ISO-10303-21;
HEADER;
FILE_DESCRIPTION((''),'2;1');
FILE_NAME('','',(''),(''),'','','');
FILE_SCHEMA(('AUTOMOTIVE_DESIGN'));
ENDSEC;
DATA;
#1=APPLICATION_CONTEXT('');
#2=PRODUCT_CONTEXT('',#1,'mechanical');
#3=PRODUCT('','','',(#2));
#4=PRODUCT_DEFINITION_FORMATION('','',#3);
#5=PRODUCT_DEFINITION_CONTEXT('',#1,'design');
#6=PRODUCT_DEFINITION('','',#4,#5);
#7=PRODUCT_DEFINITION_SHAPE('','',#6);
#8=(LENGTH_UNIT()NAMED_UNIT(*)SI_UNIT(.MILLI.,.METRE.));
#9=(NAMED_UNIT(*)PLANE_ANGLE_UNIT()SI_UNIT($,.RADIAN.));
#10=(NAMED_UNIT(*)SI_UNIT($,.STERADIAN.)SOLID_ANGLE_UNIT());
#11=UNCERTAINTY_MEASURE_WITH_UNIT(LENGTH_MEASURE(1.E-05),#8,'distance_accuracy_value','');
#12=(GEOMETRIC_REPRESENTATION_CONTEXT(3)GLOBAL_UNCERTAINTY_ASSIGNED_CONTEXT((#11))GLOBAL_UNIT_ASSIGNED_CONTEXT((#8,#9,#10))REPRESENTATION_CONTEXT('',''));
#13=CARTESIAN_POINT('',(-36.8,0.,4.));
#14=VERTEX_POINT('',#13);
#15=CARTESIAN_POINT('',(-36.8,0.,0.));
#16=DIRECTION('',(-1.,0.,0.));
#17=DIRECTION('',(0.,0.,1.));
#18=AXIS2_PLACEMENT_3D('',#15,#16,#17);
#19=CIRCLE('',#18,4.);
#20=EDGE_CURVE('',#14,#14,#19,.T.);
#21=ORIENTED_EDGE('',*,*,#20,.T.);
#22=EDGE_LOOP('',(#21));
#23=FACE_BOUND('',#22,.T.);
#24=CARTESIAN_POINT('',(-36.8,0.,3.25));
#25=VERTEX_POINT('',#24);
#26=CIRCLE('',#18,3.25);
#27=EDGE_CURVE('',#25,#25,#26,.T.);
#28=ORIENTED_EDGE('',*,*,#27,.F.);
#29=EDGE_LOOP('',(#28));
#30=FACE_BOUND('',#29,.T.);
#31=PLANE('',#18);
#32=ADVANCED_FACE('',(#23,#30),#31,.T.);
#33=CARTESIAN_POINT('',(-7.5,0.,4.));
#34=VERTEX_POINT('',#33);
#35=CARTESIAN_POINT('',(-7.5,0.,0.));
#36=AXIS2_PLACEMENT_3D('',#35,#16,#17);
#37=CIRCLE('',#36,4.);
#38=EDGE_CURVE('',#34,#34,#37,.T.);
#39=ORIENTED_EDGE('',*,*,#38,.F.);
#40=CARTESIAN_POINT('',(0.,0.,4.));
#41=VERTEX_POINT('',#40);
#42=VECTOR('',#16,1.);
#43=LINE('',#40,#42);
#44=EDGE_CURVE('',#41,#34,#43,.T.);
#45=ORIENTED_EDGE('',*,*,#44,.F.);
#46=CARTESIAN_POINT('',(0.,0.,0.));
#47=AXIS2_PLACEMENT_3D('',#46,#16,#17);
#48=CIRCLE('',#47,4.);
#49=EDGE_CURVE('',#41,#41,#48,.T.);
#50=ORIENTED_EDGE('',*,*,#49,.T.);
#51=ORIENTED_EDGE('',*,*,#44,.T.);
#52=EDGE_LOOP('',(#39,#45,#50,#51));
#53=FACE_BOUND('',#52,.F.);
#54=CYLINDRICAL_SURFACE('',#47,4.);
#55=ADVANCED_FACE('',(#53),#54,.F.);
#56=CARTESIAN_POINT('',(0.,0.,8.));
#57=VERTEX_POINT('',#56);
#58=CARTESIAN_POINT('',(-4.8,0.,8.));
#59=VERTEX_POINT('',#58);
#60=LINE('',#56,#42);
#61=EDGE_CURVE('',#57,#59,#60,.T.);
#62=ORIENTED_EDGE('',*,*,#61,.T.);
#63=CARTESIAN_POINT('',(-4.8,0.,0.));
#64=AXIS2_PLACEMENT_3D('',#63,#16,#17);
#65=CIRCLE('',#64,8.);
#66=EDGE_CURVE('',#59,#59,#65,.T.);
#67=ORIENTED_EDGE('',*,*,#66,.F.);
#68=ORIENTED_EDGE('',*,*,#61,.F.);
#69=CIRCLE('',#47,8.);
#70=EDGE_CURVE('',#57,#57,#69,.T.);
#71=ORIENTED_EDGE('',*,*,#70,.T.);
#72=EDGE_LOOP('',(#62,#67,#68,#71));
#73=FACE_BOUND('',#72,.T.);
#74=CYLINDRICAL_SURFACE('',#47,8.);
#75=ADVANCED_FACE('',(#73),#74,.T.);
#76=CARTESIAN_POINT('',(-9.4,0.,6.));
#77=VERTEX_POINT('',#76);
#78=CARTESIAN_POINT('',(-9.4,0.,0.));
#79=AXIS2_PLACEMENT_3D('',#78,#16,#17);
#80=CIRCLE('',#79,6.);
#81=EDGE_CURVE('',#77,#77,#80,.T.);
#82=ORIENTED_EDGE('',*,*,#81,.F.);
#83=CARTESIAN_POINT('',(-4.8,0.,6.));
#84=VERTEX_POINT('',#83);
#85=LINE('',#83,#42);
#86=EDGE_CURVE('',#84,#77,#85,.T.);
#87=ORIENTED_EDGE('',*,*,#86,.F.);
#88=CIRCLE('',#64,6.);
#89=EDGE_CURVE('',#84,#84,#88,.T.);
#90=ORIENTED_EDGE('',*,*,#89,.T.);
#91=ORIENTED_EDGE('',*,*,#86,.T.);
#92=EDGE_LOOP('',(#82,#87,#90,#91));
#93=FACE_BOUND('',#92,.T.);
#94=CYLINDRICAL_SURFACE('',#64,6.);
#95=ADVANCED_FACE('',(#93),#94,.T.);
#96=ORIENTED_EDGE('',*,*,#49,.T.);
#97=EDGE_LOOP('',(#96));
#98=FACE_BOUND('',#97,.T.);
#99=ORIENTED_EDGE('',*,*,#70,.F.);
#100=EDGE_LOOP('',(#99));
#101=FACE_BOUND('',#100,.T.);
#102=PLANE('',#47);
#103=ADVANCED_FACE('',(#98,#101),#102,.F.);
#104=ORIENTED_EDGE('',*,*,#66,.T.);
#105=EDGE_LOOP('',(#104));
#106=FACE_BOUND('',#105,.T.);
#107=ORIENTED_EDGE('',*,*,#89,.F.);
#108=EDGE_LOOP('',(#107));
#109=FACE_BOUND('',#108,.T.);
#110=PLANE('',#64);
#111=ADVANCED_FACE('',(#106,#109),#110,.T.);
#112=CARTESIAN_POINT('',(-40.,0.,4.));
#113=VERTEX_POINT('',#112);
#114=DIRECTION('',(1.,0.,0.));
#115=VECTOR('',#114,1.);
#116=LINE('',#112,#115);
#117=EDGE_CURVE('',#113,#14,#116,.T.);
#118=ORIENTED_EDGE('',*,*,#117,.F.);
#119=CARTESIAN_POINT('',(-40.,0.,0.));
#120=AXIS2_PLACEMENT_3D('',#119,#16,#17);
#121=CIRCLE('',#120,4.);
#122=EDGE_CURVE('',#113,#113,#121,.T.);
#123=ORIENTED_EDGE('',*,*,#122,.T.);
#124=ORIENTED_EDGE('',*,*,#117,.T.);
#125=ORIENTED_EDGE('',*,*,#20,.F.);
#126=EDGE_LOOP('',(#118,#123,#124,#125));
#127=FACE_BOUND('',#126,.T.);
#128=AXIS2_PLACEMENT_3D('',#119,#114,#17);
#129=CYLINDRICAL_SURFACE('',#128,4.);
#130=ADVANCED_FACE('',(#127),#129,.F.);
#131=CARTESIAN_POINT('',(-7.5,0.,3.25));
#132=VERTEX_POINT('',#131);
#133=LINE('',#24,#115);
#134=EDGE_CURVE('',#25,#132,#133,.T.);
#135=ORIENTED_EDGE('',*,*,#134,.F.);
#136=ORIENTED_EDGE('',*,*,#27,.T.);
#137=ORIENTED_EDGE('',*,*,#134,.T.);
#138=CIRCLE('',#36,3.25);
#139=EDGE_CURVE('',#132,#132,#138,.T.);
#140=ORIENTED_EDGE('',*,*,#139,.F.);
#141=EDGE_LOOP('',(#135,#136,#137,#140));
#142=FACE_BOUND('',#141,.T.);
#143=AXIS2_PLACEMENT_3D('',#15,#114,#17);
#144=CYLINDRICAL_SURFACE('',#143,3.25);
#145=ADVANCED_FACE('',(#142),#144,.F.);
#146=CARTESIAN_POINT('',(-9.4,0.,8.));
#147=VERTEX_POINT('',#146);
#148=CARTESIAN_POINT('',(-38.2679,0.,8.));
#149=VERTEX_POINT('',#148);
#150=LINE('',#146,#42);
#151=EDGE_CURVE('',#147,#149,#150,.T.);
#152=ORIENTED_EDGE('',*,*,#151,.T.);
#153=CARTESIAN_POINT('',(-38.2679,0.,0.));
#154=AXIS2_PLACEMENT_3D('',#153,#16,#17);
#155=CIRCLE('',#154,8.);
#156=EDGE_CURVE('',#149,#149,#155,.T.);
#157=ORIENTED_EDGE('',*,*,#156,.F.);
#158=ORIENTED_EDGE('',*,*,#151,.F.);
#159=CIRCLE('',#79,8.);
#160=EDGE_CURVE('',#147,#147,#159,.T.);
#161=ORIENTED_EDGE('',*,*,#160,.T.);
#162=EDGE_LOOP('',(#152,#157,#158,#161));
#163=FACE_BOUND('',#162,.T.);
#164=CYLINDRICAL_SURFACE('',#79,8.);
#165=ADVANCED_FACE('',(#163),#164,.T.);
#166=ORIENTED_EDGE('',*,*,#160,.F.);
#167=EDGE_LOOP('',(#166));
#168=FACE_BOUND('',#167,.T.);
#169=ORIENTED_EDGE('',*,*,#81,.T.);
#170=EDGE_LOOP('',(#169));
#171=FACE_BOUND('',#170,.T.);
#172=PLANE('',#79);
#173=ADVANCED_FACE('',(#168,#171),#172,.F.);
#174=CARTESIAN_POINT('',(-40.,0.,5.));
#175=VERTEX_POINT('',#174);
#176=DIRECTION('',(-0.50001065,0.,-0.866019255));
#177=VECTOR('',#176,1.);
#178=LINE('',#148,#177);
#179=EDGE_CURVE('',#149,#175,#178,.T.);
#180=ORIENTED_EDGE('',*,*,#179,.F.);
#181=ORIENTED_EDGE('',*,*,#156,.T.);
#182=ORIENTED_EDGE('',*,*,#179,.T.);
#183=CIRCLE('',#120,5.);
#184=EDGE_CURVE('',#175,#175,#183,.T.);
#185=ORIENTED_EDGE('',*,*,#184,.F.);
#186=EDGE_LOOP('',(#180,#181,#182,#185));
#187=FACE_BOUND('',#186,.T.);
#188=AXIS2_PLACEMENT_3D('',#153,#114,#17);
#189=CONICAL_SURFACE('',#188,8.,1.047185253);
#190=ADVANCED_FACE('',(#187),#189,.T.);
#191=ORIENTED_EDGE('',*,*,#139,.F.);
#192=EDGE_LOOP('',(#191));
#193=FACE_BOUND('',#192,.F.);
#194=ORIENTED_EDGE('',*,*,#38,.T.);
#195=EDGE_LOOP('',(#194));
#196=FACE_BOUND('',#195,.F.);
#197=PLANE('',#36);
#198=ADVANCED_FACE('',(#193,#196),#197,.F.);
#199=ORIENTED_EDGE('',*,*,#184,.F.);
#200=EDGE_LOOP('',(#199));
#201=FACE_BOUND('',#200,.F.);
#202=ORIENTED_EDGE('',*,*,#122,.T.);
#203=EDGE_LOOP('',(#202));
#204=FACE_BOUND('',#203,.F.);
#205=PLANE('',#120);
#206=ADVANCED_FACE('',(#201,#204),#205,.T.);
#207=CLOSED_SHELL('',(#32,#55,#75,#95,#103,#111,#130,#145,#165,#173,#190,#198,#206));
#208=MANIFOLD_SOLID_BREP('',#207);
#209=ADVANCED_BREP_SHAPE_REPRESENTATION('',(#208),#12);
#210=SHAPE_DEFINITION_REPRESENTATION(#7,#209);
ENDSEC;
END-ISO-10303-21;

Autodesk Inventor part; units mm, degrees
ref_plane "YZ Plane" through (0, 0, 0) normal (1, 0, 0) x (0, 1, 0)
ref_plane "XZ Plane" through (0, 0, 0) normal (0, 1, 0) x (-1, 0, 0)
ref_plane "XY Plane" through (0, 0, 0) normal (0, 0, 1) x (1, 0, 0)
sketch "Sketch1" plane through (0, 0, 0) normal (0, 1, 0) x (-1, 0, 0)
  line L0 (0, 4) -> (0, 8)
  line L1 (0, 8) -> (4.8, 8)
  line L2 (4.8, 8) -> (4.8, 6)
  line L3 (4.8, 6) -> (9.4, 6)
  line L4 (9.4, 6) -> (9.4, 8)
  line L5 (9.4, 8) -> (38.2679, 8)
  line L6 (0, 4) -> (7.5, 4)
  line L7 (7.5, 4) -> (7.5, 3.25)
  line L8 (40, 4) -> (36.8, 4)
  line L9 (36.8, 4) -> (36.8, 3.25)
  line L10 (40, 4) -> (40, 5)
  line L11 (38.2679, 8) -> (40, 5)
  line L12 (36.8, 3.25) -> (7.5, 3.25)
  line L13 (0, 0) -> (40, 0) construction
  dimension "d0" = 8
  dimension "d1" = 4.8
  dimension "d3" = 4.6
  dimension "d10" = 2
  dimension "d11" = 2
  dimension "d12" = 7.5
  dimension "d13" = 4
  dimension "d14" = 3.25
  dimension "d15" = 3.2
  dimension "d16" = 4
  dimension "d19" = 3.25
  dimension "d20" = 120
  dimension "d21" = 40
  dimension "d22" = 5
  dimension "d23" = 40
revolve "Revolution1" add sketch "Sketch1" angle 360 about axis through (0, 0, 0) along (-1, 0, 0)
properties part number "NozzleHolder" material "Polyethylene, High Density"
